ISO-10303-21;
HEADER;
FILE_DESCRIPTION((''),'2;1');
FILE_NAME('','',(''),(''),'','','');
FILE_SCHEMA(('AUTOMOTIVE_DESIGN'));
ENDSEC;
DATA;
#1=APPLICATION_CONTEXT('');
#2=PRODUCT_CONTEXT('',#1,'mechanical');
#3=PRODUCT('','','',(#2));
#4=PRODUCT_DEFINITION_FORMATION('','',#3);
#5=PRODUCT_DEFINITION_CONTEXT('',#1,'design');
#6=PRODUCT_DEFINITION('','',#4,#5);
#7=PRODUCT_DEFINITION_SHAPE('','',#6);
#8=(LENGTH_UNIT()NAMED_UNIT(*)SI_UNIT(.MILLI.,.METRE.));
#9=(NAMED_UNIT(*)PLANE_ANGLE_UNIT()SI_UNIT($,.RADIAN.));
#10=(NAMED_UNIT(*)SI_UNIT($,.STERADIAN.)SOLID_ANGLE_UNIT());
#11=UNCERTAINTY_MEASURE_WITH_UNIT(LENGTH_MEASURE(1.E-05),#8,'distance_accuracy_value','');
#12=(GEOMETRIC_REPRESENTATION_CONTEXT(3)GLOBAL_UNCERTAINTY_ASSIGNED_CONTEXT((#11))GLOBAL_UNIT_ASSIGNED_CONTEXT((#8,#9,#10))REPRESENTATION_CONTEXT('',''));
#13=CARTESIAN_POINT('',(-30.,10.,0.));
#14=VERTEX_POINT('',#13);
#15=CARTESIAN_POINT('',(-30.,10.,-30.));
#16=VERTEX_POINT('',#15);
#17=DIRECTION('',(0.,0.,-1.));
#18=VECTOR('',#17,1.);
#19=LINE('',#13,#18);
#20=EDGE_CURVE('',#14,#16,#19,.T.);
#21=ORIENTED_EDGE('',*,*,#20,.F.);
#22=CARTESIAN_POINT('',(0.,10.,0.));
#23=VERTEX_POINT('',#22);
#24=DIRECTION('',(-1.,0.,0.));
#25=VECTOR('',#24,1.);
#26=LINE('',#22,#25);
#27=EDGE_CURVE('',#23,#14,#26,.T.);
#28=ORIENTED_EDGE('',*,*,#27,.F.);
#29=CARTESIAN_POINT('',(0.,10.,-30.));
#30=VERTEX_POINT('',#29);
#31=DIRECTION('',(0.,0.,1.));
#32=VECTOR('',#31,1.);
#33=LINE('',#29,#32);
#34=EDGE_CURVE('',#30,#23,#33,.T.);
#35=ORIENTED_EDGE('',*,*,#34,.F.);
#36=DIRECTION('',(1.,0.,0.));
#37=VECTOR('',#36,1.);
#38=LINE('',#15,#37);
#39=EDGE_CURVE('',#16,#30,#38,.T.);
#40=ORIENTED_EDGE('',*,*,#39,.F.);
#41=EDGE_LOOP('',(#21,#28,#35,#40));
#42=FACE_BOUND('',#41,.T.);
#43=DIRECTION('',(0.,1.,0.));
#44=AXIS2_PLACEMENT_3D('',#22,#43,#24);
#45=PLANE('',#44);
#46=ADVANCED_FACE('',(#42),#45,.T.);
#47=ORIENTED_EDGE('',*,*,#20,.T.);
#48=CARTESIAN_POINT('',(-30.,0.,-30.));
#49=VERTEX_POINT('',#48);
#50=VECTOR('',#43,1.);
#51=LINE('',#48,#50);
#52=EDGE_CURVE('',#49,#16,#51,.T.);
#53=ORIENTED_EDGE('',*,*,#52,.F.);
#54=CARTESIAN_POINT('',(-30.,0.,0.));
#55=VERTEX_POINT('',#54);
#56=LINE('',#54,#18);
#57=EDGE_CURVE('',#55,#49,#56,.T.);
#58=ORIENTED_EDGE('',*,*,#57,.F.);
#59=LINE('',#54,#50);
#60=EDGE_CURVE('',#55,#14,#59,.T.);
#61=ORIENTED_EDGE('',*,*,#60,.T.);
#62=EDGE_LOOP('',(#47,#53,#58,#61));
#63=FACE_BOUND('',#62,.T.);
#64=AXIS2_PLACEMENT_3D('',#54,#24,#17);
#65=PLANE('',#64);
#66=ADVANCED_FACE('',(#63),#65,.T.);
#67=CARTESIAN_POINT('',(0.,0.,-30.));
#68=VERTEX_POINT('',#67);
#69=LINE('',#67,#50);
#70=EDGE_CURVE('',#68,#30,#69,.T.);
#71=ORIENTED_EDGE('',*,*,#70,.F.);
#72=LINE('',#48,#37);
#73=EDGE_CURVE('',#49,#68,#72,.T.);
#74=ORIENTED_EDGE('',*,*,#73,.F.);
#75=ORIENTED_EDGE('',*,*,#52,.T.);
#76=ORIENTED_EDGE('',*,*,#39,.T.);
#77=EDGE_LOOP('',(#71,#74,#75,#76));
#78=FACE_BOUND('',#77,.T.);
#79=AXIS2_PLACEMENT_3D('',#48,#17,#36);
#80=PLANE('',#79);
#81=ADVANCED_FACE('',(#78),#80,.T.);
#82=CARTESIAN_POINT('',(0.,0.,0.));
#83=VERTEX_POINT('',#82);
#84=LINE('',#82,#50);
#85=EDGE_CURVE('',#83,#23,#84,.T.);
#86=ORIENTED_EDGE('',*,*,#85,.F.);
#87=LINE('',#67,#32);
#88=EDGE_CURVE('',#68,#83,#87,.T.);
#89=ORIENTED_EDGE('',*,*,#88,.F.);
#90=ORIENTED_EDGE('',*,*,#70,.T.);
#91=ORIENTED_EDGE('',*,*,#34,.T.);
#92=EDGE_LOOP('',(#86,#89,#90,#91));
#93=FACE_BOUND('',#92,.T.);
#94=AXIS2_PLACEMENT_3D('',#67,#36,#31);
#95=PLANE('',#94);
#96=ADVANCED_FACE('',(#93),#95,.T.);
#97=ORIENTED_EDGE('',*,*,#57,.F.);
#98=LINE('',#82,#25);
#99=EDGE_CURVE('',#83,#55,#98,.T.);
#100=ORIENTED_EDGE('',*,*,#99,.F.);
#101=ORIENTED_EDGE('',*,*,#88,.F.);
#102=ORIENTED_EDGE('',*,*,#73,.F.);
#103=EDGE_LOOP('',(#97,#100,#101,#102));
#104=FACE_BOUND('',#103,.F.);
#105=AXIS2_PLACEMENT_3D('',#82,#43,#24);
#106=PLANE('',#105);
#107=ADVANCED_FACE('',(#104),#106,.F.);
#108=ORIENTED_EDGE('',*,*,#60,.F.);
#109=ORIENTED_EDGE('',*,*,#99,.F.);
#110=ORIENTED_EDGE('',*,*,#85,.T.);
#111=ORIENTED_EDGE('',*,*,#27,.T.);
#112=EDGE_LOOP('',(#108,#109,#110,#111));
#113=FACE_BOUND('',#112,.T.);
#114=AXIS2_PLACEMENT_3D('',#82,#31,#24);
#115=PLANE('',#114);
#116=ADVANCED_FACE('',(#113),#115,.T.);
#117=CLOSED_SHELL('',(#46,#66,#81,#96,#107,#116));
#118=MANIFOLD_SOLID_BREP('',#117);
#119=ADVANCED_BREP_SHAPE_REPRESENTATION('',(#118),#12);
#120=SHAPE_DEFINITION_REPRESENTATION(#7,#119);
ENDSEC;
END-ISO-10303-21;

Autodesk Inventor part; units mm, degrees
ref_plane "YZ Plane" through (0, 0, 0) normal (1, 0, 0) x (0, 1, 0)
ref_plane "XZ Plane" through (0, 0, 0) normal (0, 1, 0) x (-1, 0, 0)
ref_plane "XY Plane" through (0, 0, 0) normal (0, 0, 1) x (1, 0, 0)
sketch "Sketch1" plane through (0, 0, 0) normal (0, 1, 0) x (-1, 0, 0)
  point P0 (0, 0)
sketch "Sketch2" plane through (0, 0, 0) normal (0, 1, 0) x (-1, 0, 0)
  line L0 (0, 0) -> (30, 0)
  line L1 (30, 0) -> (30, -30)
  line L2 (30, -30) -> (0, -30)
  line L3 (0, -30) -> (0, 0)
  dimension "d0" = 30
  dimension "d1" = 30
extrude "Extrusion1" add sketch "Sketch2" along normal blind 10
